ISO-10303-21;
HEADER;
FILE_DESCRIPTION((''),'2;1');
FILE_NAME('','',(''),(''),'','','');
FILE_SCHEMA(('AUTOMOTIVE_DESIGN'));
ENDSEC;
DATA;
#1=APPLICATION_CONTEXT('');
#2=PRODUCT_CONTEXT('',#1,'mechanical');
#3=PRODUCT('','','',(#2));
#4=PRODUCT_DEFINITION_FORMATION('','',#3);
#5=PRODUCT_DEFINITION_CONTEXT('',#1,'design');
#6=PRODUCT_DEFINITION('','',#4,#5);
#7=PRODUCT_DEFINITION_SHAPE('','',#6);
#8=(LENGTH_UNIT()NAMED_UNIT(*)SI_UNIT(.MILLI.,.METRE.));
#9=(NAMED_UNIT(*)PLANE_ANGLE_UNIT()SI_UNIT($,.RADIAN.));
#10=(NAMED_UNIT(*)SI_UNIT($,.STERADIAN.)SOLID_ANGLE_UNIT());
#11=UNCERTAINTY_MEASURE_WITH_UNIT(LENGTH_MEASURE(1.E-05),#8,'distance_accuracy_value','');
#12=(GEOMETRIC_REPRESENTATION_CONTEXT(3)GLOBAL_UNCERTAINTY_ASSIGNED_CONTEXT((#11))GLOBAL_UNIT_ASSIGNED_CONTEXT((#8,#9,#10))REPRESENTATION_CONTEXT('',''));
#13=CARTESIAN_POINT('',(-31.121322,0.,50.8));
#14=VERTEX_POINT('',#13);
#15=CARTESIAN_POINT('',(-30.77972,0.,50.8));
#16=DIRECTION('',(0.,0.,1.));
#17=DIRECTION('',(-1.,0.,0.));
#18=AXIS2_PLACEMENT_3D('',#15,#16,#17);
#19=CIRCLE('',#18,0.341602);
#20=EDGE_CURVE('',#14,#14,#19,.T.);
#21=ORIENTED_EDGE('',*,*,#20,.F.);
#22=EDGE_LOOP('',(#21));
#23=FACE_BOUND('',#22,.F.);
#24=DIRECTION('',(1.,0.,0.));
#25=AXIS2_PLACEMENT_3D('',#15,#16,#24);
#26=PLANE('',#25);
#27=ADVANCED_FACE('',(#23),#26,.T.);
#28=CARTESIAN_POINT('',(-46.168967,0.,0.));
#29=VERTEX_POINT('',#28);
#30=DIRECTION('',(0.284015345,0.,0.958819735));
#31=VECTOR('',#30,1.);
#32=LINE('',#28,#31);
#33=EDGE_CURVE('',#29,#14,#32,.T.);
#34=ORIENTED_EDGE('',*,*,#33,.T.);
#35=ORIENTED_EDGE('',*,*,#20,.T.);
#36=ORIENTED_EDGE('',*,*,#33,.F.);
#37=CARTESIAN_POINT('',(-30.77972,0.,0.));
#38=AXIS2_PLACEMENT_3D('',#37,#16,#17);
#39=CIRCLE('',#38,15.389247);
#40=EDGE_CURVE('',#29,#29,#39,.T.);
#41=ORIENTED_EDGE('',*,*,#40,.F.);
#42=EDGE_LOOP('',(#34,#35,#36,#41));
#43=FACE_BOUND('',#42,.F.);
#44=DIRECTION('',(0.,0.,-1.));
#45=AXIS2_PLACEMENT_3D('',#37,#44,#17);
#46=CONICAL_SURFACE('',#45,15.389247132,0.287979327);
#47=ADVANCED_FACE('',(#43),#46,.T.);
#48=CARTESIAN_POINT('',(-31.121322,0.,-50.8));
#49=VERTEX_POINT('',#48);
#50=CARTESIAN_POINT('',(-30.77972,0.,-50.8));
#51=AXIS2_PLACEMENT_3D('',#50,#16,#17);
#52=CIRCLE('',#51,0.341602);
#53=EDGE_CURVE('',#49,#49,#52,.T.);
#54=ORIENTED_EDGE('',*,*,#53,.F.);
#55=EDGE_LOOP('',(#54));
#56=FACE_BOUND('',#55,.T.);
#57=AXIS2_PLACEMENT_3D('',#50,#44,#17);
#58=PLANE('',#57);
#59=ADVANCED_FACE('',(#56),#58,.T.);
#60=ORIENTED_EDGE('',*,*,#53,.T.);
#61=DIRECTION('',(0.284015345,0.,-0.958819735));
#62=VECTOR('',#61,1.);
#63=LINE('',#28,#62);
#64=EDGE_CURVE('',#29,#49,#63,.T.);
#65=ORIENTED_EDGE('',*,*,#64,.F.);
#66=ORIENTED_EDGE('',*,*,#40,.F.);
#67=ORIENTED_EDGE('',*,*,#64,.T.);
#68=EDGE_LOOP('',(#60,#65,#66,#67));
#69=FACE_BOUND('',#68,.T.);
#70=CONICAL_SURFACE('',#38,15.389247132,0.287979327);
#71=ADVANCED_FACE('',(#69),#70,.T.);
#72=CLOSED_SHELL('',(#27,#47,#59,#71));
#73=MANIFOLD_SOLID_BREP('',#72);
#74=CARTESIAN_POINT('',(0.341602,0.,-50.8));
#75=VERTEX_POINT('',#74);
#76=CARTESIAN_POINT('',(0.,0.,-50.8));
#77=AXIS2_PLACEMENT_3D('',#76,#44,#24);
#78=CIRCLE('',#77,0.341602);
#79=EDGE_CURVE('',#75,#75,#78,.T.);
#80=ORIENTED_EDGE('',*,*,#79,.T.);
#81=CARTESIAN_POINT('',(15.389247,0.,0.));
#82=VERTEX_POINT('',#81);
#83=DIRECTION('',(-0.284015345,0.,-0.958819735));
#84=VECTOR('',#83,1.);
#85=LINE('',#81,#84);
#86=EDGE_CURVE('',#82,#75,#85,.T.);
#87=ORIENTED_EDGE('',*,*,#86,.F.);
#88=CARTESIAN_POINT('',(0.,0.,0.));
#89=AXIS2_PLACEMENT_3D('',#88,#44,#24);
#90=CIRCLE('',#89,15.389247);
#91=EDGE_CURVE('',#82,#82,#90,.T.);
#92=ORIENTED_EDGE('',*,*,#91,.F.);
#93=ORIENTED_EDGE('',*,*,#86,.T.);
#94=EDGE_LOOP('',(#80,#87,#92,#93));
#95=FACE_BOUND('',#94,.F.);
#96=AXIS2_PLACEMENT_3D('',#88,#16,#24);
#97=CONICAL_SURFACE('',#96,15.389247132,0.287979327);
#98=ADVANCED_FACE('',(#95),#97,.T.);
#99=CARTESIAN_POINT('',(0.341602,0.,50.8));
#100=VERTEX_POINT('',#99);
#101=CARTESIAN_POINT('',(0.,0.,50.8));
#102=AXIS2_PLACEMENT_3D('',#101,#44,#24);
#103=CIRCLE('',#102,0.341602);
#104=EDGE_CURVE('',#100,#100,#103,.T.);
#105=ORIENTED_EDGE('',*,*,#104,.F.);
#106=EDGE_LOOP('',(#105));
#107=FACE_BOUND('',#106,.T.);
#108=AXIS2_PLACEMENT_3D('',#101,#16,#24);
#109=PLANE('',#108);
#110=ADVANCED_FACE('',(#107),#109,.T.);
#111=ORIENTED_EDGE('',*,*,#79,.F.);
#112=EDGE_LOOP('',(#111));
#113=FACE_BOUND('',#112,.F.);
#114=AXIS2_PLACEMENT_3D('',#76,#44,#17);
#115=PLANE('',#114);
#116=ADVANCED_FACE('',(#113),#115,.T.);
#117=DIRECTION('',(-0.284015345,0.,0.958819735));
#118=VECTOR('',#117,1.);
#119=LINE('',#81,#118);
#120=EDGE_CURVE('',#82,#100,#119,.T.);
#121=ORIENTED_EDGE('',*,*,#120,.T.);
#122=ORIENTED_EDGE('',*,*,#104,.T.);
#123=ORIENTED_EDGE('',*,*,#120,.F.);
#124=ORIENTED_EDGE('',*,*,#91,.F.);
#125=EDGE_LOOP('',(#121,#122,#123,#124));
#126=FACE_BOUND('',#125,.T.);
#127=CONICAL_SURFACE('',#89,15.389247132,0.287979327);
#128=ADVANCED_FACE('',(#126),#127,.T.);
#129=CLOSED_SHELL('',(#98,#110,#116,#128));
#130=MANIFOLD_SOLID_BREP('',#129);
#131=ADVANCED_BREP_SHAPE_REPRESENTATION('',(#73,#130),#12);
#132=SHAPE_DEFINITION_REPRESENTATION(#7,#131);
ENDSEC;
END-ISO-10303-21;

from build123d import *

# Parameters (mm, degrees)
F0_R     = 15.3892471325
F1_DEPTH = 50.8
F1_TAPER = 16.5


with BuildPart() as f1:
    # F0 (on Top) → F1 (new body)
    with BuildSketch(Plane.XY):
        Circle(F0_R)
    extrude(amount=F1_DEPTH, taper=F1_TAPER)

    # F2: F1 across plane


with BuildPart() as f1_1:
    add(f1.part)
    add(f1.part.mirror(Plane.XY))


with BuildPart() as f4_1:
    # F4: instance of F1
    add(f1_1.part.mirror(Plane.YZ.offset(-15.38986)))


solid = Compound([f1_1.part, f4_1.part])
